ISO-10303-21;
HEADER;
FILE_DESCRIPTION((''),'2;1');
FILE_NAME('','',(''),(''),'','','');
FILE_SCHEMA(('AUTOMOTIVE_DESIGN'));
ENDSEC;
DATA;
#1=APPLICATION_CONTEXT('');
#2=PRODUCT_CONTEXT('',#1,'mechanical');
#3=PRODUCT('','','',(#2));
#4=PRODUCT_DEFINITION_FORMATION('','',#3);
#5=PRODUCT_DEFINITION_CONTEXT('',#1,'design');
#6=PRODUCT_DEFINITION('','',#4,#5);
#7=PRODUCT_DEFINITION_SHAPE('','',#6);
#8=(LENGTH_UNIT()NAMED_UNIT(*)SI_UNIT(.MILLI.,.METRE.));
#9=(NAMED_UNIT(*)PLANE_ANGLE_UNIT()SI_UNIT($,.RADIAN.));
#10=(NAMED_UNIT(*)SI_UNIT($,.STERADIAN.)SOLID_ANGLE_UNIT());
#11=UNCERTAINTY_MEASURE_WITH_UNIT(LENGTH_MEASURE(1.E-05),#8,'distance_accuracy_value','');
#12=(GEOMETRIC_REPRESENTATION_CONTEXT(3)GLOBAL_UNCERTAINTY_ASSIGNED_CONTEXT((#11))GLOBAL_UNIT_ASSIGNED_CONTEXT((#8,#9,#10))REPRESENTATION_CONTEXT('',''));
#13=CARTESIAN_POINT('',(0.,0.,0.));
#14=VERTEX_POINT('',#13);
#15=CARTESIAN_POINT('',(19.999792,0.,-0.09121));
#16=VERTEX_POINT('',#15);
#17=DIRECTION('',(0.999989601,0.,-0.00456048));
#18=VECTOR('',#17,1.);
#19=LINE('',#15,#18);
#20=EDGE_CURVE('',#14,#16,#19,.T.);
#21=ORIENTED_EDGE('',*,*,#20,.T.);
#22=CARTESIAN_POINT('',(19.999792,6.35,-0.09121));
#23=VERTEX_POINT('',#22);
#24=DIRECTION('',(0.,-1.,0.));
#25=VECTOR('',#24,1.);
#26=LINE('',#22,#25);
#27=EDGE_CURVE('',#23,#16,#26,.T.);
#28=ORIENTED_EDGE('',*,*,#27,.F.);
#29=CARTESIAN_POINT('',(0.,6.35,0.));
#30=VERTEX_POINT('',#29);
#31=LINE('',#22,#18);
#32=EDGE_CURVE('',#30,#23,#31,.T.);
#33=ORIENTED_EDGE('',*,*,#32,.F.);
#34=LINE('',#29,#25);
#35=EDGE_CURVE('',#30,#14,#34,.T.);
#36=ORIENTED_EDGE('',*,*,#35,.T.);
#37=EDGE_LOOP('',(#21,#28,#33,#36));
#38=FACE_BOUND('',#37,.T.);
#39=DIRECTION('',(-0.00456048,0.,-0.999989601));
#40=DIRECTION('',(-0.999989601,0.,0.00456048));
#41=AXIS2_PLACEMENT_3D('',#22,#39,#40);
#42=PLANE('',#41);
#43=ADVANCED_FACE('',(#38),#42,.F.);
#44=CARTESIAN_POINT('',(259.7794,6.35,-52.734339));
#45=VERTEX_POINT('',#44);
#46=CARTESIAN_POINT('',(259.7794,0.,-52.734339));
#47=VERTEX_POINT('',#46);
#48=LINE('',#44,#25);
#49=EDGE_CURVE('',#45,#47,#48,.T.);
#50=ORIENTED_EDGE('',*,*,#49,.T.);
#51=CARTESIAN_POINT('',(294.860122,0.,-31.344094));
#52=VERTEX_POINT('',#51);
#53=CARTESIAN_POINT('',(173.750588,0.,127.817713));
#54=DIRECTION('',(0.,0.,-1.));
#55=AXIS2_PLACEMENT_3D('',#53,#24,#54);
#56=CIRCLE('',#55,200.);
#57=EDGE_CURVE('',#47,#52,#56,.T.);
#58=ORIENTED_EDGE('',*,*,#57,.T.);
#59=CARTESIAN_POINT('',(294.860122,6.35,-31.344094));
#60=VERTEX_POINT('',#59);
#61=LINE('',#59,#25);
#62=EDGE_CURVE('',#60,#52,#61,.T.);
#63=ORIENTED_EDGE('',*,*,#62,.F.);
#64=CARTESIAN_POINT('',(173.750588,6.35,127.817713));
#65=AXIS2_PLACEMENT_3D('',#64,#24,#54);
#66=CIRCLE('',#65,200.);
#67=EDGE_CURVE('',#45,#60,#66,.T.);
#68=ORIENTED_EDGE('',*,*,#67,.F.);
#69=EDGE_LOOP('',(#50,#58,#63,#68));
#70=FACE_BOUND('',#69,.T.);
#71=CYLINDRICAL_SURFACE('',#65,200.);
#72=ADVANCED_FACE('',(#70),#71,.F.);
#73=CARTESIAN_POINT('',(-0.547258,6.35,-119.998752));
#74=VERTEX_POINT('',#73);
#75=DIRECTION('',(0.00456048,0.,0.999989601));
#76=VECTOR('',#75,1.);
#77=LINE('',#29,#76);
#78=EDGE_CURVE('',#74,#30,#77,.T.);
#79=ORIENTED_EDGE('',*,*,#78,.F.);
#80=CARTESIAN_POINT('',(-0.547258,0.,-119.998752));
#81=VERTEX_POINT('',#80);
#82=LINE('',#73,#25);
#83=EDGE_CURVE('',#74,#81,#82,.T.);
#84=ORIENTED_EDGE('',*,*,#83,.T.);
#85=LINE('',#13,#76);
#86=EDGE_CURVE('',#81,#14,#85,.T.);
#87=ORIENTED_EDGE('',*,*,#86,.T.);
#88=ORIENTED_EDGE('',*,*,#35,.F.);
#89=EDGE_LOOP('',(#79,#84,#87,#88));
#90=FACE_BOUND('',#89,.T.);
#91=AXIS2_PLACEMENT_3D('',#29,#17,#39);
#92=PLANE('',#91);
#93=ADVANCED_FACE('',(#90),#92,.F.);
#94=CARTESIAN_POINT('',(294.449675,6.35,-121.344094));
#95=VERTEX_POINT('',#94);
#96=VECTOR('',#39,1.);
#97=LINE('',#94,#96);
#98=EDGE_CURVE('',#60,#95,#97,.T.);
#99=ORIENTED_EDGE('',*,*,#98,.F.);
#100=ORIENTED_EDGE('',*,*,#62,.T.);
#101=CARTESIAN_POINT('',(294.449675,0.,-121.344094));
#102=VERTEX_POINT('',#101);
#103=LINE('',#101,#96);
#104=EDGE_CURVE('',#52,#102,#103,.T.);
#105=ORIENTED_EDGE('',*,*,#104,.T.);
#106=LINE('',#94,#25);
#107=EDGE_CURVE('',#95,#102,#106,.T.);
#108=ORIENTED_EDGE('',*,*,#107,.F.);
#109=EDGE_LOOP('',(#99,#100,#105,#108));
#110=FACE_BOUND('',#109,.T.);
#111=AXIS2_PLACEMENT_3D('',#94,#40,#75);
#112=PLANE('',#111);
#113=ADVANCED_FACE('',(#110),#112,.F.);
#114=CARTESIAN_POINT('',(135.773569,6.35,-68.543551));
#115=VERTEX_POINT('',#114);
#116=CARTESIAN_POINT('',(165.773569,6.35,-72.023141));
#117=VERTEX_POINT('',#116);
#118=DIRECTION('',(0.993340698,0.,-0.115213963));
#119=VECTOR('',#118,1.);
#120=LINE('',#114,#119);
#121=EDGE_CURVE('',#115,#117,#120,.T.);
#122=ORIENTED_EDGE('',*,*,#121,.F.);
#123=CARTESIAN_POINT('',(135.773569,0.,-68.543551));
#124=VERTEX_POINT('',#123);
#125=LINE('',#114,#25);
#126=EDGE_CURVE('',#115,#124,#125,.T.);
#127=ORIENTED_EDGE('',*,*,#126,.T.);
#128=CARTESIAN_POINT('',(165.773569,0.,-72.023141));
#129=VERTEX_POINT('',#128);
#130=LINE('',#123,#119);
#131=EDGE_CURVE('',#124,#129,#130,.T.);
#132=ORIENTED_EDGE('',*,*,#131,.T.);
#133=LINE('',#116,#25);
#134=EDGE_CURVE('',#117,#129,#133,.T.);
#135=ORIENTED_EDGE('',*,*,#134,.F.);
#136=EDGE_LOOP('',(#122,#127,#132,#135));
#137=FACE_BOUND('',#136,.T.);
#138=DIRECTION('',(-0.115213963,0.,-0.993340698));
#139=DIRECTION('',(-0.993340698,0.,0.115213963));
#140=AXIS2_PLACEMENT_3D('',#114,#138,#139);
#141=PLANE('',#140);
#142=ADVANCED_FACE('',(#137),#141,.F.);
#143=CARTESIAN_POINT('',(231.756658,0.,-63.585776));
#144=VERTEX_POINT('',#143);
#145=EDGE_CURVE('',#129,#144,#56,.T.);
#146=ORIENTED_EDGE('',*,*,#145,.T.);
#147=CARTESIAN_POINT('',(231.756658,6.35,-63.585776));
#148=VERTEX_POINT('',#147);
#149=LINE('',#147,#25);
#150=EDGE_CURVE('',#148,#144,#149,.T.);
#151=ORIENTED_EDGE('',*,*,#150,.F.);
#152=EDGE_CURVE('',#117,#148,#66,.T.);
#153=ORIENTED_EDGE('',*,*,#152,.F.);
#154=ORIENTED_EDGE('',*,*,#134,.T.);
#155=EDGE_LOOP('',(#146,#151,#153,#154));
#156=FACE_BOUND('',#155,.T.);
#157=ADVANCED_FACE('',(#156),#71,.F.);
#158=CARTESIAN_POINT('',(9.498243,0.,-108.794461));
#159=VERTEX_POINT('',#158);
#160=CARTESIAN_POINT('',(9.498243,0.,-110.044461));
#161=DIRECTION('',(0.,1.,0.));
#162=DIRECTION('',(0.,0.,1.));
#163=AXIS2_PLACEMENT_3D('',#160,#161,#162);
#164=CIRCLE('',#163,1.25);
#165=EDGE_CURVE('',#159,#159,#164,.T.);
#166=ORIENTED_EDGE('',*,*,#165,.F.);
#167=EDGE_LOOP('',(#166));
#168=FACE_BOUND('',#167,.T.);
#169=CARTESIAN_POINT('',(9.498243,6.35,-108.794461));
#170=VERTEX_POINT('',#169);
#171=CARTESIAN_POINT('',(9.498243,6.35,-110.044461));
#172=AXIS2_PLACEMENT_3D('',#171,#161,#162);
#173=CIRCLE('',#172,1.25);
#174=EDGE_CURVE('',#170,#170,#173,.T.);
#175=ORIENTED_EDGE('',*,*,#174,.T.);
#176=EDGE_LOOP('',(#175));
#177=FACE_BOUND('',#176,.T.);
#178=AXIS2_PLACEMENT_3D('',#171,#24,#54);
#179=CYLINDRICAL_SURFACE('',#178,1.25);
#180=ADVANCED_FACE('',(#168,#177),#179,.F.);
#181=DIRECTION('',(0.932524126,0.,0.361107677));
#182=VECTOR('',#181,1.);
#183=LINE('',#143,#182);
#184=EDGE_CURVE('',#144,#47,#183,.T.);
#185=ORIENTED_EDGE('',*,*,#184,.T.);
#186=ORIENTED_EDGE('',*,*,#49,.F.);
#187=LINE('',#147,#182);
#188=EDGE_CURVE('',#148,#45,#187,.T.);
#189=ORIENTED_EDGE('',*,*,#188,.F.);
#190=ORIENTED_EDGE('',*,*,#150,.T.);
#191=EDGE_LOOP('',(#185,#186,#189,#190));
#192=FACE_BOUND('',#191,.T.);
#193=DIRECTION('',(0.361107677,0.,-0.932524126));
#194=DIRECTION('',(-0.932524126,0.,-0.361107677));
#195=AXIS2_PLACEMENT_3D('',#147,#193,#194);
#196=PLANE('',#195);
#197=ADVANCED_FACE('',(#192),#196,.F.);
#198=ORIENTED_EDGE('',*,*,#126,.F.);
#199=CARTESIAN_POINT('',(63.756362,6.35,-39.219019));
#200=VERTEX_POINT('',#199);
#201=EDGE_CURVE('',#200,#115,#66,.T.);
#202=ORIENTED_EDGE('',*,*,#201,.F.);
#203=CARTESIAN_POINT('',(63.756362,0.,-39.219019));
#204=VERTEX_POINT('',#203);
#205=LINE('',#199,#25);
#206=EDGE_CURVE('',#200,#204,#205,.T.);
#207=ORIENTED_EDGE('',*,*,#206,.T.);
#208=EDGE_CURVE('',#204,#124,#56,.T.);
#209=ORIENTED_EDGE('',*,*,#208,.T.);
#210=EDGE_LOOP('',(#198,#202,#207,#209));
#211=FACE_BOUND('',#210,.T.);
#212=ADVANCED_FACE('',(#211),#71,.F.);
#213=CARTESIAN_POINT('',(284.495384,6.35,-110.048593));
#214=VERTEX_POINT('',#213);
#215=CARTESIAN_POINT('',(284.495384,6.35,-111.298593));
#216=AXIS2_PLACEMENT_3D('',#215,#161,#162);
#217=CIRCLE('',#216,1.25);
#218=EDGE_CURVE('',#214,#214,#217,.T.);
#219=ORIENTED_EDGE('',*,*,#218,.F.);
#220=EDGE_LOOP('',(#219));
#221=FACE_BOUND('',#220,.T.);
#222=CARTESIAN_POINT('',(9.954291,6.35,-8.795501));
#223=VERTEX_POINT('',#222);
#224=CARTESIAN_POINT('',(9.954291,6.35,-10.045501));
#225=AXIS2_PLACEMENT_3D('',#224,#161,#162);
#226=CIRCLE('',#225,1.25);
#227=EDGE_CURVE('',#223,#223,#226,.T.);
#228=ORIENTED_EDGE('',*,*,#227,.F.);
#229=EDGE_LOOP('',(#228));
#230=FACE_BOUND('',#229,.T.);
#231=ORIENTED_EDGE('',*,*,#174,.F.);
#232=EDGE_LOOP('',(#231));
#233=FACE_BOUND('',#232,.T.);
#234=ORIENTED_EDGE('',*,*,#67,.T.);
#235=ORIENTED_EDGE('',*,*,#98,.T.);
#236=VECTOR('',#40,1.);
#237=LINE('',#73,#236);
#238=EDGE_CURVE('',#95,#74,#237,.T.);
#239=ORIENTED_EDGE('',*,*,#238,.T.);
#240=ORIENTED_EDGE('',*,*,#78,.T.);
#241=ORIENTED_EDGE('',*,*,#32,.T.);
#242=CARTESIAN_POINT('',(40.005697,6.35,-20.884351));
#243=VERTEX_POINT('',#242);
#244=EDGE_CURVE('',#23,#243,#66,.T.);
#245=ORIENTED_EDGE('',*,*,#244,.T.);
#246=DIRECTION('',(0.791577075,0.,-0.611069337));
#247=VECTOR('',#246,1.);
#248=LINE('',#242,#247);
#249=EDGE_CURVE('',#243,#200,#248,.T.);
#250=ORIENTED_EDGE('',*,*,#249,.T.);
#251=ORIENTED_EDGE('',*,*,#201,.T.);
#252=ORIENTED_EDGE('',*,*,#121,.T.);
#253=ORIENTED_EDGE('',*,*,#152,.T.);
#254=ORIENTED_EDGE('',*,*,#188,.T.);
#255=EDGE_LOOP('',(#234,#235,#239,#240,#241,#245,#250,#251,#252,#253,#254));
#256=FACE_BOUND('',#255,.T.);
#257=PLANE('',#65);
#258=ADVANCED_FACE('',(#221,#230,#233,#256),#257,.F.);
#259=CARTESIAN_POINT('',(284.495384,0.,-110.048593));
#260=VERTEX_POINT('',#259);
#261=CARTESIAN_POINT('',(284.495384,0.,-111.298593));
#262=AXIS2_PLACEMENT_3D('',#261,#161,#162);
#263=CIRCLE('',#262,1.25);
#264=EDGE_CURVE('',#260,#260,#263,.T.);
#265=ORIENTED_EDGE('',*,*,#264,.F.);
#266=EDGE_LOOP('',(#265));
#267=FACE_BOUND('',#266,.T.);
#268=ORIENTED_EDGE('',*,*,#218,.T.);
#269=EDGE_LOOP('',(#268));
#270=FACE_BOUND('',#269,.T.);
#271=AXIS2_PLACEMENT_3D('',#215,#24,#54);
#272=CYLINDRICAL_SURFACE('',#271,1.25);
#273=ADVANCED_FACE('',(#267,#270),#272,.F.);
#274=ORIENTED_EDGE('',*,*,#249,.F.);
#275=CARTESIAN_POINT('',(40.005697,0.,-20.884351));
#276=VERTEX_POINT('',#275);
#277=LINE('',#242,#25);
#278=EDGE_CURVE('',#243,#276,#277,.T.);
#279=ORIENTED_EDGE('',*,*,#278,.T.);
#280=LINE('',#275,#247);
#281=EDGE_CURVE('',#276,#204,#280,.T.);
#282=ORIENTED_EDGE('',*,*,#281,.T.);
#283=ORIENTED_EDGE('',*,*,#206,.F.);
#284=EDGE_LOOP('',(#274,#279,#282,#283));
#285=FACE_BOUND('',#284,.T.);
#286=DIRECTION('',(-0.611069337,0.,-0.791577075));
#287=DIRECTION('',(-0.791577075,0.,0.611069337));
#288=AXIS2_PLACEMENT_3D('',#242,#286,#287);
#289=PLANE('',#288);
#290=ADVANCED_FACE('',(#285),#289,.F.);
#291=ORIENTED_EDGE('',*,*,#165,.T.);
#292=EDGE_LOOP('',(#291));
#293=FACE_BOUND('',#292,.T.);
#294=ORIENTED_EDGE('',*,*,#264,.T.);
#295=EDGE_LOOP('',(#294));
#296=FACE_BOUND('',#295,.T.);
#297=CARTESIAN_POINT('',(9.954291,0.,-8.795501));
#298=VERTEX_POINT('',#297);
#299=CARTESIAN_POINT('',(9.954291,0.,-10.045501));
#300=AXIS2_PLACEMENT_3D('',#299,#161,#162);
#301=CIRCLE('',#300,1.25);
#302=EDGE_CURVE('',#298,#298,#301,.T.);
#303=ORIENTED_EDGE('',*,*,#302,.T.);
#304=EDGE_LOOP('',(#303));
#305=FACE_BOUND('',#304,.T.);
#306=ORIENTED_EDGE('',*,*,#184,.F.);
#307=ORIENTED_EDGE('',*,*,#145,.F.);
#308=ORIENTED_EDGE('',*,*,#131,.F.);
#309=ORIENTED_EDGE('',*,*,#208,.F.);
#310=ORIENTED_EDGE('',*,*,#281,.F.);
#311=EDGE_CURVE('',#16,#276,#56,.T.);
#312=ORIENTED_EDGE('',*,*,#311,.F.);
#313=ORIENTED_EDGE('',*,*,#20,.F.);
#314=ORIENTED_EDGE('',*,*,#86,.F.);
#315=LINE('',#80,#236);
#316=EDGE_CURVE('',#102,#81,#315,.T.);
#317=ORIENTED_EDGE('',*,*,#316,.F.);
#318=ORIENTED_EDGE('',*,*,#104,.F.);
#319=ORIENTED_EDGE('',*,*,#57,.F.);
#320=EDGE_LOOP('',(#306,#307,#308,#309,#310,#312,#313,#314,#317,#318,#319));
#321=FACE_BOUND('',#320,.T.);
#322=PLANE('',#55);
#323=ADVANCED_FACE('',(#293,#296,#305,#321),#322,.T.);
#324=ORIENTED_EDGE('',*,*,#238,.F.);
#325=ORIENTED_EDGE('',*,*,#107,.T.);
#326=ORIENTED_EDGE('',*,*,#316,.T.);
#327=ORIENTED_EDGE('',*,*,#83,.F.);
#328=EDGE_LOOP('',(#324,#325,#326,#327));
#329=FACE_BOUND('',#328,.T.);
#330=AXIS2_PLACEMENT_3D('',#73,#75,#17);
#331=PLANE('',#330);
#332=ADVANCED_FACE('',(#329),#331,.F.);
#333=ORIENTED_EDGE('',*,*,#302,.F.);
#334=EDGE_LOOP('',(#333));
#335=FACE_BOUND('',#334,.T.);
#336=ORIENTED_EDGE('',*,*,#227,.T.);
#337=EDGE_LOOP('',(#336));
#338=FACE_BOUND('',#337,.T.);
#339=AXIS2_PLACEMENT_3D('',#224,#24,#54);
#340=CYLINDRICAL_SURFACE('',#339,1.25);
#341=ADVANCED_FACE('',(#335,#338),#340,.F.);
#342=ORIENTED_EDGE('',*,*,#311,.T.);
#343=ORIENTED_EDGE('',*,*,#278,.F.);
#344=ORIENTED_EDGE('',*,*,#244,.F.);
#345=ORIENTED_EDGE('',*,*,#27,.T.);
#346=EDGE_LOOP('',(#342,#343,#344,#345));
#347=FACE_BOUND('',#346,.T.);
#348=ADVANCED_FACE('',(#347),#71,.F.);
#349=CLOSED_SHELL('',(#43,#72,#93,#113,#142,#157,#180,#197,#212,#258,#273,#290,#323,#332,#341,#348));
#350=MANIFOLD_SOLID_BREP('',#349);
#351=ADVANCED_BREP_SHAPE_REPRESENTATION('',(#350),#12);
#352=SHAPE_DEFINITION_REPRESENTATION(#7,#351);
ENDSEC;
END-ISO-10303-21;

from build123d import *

# Parameters (mm, degrees)
SKETCH1_R           = 1.25
BOSS_EXTRUDE1_DEPTH = 6.35


with BuildPart() as part:
    # Sketch1 → Boss-Extrude1 (new body)
    with BuildSketch(Plane(origin=(0, 0, 0), x_dir=(1, 0, 0), z_dir=(0, 1, 0))):
        with BuildLine():
            Line((19.999792019, 0.091209594), (0, 0))
            Line((0, 0), (-0.547257564, 119.998752115))
            Line((-0.547257564, 119.998752115), (294.449674718, 121.344093627))
            Line((294.449674718, 121.344093627), (294.86012216, 31.344093627))
            ThreePointArc((294.86012216, 31.344093627), (277.870515385, 42.942471612), (259.779400189, 52.734338707))
            Line((259.779400189, 52.734338707), (231.756657954, 63.5857763))
            ThreePointArc((231.756657954, 63.5857763), (199.118358441, 70.566953886), (165.773569429, 72.023141123))
            Line((165.773569429, 72.023141123), (135.773569429, 68.543550593))
            ThreePointArc((135.773569429, 68.543550593), (98.326093616, 57.414966094), (63.756361786, 39.21901932))
            Line((63.756361786, 39.21901932), (40.005697256, 20.884351348))
            ThreePointArc((40.005697256, 20.884351348), (29.627268731, 10.849040712), (19.999792019, 0.091209594))
        make_face()
        with Locations(Location((9.498243242, 110.044460902, 0), (0, 0, 270))):
            Circle(SKETCH1_R, mode=Mode.SUBTRACT)
        with Locations(Location((9.954291213, 10.045500807, 0), (0, 0, 270))):
            Circle(SKETCH1_R, mode=Mode.SUBTRACT)
        with Locations(Location((284.495383506, 111.298592821, 0), (0, 0, 270))):
            Circle(SKETCH1_R, mode=Mode.SUBTRACT)
    extrude(amount=BOSS_EXTRUDE1_DEPTH)


solid = part.part
